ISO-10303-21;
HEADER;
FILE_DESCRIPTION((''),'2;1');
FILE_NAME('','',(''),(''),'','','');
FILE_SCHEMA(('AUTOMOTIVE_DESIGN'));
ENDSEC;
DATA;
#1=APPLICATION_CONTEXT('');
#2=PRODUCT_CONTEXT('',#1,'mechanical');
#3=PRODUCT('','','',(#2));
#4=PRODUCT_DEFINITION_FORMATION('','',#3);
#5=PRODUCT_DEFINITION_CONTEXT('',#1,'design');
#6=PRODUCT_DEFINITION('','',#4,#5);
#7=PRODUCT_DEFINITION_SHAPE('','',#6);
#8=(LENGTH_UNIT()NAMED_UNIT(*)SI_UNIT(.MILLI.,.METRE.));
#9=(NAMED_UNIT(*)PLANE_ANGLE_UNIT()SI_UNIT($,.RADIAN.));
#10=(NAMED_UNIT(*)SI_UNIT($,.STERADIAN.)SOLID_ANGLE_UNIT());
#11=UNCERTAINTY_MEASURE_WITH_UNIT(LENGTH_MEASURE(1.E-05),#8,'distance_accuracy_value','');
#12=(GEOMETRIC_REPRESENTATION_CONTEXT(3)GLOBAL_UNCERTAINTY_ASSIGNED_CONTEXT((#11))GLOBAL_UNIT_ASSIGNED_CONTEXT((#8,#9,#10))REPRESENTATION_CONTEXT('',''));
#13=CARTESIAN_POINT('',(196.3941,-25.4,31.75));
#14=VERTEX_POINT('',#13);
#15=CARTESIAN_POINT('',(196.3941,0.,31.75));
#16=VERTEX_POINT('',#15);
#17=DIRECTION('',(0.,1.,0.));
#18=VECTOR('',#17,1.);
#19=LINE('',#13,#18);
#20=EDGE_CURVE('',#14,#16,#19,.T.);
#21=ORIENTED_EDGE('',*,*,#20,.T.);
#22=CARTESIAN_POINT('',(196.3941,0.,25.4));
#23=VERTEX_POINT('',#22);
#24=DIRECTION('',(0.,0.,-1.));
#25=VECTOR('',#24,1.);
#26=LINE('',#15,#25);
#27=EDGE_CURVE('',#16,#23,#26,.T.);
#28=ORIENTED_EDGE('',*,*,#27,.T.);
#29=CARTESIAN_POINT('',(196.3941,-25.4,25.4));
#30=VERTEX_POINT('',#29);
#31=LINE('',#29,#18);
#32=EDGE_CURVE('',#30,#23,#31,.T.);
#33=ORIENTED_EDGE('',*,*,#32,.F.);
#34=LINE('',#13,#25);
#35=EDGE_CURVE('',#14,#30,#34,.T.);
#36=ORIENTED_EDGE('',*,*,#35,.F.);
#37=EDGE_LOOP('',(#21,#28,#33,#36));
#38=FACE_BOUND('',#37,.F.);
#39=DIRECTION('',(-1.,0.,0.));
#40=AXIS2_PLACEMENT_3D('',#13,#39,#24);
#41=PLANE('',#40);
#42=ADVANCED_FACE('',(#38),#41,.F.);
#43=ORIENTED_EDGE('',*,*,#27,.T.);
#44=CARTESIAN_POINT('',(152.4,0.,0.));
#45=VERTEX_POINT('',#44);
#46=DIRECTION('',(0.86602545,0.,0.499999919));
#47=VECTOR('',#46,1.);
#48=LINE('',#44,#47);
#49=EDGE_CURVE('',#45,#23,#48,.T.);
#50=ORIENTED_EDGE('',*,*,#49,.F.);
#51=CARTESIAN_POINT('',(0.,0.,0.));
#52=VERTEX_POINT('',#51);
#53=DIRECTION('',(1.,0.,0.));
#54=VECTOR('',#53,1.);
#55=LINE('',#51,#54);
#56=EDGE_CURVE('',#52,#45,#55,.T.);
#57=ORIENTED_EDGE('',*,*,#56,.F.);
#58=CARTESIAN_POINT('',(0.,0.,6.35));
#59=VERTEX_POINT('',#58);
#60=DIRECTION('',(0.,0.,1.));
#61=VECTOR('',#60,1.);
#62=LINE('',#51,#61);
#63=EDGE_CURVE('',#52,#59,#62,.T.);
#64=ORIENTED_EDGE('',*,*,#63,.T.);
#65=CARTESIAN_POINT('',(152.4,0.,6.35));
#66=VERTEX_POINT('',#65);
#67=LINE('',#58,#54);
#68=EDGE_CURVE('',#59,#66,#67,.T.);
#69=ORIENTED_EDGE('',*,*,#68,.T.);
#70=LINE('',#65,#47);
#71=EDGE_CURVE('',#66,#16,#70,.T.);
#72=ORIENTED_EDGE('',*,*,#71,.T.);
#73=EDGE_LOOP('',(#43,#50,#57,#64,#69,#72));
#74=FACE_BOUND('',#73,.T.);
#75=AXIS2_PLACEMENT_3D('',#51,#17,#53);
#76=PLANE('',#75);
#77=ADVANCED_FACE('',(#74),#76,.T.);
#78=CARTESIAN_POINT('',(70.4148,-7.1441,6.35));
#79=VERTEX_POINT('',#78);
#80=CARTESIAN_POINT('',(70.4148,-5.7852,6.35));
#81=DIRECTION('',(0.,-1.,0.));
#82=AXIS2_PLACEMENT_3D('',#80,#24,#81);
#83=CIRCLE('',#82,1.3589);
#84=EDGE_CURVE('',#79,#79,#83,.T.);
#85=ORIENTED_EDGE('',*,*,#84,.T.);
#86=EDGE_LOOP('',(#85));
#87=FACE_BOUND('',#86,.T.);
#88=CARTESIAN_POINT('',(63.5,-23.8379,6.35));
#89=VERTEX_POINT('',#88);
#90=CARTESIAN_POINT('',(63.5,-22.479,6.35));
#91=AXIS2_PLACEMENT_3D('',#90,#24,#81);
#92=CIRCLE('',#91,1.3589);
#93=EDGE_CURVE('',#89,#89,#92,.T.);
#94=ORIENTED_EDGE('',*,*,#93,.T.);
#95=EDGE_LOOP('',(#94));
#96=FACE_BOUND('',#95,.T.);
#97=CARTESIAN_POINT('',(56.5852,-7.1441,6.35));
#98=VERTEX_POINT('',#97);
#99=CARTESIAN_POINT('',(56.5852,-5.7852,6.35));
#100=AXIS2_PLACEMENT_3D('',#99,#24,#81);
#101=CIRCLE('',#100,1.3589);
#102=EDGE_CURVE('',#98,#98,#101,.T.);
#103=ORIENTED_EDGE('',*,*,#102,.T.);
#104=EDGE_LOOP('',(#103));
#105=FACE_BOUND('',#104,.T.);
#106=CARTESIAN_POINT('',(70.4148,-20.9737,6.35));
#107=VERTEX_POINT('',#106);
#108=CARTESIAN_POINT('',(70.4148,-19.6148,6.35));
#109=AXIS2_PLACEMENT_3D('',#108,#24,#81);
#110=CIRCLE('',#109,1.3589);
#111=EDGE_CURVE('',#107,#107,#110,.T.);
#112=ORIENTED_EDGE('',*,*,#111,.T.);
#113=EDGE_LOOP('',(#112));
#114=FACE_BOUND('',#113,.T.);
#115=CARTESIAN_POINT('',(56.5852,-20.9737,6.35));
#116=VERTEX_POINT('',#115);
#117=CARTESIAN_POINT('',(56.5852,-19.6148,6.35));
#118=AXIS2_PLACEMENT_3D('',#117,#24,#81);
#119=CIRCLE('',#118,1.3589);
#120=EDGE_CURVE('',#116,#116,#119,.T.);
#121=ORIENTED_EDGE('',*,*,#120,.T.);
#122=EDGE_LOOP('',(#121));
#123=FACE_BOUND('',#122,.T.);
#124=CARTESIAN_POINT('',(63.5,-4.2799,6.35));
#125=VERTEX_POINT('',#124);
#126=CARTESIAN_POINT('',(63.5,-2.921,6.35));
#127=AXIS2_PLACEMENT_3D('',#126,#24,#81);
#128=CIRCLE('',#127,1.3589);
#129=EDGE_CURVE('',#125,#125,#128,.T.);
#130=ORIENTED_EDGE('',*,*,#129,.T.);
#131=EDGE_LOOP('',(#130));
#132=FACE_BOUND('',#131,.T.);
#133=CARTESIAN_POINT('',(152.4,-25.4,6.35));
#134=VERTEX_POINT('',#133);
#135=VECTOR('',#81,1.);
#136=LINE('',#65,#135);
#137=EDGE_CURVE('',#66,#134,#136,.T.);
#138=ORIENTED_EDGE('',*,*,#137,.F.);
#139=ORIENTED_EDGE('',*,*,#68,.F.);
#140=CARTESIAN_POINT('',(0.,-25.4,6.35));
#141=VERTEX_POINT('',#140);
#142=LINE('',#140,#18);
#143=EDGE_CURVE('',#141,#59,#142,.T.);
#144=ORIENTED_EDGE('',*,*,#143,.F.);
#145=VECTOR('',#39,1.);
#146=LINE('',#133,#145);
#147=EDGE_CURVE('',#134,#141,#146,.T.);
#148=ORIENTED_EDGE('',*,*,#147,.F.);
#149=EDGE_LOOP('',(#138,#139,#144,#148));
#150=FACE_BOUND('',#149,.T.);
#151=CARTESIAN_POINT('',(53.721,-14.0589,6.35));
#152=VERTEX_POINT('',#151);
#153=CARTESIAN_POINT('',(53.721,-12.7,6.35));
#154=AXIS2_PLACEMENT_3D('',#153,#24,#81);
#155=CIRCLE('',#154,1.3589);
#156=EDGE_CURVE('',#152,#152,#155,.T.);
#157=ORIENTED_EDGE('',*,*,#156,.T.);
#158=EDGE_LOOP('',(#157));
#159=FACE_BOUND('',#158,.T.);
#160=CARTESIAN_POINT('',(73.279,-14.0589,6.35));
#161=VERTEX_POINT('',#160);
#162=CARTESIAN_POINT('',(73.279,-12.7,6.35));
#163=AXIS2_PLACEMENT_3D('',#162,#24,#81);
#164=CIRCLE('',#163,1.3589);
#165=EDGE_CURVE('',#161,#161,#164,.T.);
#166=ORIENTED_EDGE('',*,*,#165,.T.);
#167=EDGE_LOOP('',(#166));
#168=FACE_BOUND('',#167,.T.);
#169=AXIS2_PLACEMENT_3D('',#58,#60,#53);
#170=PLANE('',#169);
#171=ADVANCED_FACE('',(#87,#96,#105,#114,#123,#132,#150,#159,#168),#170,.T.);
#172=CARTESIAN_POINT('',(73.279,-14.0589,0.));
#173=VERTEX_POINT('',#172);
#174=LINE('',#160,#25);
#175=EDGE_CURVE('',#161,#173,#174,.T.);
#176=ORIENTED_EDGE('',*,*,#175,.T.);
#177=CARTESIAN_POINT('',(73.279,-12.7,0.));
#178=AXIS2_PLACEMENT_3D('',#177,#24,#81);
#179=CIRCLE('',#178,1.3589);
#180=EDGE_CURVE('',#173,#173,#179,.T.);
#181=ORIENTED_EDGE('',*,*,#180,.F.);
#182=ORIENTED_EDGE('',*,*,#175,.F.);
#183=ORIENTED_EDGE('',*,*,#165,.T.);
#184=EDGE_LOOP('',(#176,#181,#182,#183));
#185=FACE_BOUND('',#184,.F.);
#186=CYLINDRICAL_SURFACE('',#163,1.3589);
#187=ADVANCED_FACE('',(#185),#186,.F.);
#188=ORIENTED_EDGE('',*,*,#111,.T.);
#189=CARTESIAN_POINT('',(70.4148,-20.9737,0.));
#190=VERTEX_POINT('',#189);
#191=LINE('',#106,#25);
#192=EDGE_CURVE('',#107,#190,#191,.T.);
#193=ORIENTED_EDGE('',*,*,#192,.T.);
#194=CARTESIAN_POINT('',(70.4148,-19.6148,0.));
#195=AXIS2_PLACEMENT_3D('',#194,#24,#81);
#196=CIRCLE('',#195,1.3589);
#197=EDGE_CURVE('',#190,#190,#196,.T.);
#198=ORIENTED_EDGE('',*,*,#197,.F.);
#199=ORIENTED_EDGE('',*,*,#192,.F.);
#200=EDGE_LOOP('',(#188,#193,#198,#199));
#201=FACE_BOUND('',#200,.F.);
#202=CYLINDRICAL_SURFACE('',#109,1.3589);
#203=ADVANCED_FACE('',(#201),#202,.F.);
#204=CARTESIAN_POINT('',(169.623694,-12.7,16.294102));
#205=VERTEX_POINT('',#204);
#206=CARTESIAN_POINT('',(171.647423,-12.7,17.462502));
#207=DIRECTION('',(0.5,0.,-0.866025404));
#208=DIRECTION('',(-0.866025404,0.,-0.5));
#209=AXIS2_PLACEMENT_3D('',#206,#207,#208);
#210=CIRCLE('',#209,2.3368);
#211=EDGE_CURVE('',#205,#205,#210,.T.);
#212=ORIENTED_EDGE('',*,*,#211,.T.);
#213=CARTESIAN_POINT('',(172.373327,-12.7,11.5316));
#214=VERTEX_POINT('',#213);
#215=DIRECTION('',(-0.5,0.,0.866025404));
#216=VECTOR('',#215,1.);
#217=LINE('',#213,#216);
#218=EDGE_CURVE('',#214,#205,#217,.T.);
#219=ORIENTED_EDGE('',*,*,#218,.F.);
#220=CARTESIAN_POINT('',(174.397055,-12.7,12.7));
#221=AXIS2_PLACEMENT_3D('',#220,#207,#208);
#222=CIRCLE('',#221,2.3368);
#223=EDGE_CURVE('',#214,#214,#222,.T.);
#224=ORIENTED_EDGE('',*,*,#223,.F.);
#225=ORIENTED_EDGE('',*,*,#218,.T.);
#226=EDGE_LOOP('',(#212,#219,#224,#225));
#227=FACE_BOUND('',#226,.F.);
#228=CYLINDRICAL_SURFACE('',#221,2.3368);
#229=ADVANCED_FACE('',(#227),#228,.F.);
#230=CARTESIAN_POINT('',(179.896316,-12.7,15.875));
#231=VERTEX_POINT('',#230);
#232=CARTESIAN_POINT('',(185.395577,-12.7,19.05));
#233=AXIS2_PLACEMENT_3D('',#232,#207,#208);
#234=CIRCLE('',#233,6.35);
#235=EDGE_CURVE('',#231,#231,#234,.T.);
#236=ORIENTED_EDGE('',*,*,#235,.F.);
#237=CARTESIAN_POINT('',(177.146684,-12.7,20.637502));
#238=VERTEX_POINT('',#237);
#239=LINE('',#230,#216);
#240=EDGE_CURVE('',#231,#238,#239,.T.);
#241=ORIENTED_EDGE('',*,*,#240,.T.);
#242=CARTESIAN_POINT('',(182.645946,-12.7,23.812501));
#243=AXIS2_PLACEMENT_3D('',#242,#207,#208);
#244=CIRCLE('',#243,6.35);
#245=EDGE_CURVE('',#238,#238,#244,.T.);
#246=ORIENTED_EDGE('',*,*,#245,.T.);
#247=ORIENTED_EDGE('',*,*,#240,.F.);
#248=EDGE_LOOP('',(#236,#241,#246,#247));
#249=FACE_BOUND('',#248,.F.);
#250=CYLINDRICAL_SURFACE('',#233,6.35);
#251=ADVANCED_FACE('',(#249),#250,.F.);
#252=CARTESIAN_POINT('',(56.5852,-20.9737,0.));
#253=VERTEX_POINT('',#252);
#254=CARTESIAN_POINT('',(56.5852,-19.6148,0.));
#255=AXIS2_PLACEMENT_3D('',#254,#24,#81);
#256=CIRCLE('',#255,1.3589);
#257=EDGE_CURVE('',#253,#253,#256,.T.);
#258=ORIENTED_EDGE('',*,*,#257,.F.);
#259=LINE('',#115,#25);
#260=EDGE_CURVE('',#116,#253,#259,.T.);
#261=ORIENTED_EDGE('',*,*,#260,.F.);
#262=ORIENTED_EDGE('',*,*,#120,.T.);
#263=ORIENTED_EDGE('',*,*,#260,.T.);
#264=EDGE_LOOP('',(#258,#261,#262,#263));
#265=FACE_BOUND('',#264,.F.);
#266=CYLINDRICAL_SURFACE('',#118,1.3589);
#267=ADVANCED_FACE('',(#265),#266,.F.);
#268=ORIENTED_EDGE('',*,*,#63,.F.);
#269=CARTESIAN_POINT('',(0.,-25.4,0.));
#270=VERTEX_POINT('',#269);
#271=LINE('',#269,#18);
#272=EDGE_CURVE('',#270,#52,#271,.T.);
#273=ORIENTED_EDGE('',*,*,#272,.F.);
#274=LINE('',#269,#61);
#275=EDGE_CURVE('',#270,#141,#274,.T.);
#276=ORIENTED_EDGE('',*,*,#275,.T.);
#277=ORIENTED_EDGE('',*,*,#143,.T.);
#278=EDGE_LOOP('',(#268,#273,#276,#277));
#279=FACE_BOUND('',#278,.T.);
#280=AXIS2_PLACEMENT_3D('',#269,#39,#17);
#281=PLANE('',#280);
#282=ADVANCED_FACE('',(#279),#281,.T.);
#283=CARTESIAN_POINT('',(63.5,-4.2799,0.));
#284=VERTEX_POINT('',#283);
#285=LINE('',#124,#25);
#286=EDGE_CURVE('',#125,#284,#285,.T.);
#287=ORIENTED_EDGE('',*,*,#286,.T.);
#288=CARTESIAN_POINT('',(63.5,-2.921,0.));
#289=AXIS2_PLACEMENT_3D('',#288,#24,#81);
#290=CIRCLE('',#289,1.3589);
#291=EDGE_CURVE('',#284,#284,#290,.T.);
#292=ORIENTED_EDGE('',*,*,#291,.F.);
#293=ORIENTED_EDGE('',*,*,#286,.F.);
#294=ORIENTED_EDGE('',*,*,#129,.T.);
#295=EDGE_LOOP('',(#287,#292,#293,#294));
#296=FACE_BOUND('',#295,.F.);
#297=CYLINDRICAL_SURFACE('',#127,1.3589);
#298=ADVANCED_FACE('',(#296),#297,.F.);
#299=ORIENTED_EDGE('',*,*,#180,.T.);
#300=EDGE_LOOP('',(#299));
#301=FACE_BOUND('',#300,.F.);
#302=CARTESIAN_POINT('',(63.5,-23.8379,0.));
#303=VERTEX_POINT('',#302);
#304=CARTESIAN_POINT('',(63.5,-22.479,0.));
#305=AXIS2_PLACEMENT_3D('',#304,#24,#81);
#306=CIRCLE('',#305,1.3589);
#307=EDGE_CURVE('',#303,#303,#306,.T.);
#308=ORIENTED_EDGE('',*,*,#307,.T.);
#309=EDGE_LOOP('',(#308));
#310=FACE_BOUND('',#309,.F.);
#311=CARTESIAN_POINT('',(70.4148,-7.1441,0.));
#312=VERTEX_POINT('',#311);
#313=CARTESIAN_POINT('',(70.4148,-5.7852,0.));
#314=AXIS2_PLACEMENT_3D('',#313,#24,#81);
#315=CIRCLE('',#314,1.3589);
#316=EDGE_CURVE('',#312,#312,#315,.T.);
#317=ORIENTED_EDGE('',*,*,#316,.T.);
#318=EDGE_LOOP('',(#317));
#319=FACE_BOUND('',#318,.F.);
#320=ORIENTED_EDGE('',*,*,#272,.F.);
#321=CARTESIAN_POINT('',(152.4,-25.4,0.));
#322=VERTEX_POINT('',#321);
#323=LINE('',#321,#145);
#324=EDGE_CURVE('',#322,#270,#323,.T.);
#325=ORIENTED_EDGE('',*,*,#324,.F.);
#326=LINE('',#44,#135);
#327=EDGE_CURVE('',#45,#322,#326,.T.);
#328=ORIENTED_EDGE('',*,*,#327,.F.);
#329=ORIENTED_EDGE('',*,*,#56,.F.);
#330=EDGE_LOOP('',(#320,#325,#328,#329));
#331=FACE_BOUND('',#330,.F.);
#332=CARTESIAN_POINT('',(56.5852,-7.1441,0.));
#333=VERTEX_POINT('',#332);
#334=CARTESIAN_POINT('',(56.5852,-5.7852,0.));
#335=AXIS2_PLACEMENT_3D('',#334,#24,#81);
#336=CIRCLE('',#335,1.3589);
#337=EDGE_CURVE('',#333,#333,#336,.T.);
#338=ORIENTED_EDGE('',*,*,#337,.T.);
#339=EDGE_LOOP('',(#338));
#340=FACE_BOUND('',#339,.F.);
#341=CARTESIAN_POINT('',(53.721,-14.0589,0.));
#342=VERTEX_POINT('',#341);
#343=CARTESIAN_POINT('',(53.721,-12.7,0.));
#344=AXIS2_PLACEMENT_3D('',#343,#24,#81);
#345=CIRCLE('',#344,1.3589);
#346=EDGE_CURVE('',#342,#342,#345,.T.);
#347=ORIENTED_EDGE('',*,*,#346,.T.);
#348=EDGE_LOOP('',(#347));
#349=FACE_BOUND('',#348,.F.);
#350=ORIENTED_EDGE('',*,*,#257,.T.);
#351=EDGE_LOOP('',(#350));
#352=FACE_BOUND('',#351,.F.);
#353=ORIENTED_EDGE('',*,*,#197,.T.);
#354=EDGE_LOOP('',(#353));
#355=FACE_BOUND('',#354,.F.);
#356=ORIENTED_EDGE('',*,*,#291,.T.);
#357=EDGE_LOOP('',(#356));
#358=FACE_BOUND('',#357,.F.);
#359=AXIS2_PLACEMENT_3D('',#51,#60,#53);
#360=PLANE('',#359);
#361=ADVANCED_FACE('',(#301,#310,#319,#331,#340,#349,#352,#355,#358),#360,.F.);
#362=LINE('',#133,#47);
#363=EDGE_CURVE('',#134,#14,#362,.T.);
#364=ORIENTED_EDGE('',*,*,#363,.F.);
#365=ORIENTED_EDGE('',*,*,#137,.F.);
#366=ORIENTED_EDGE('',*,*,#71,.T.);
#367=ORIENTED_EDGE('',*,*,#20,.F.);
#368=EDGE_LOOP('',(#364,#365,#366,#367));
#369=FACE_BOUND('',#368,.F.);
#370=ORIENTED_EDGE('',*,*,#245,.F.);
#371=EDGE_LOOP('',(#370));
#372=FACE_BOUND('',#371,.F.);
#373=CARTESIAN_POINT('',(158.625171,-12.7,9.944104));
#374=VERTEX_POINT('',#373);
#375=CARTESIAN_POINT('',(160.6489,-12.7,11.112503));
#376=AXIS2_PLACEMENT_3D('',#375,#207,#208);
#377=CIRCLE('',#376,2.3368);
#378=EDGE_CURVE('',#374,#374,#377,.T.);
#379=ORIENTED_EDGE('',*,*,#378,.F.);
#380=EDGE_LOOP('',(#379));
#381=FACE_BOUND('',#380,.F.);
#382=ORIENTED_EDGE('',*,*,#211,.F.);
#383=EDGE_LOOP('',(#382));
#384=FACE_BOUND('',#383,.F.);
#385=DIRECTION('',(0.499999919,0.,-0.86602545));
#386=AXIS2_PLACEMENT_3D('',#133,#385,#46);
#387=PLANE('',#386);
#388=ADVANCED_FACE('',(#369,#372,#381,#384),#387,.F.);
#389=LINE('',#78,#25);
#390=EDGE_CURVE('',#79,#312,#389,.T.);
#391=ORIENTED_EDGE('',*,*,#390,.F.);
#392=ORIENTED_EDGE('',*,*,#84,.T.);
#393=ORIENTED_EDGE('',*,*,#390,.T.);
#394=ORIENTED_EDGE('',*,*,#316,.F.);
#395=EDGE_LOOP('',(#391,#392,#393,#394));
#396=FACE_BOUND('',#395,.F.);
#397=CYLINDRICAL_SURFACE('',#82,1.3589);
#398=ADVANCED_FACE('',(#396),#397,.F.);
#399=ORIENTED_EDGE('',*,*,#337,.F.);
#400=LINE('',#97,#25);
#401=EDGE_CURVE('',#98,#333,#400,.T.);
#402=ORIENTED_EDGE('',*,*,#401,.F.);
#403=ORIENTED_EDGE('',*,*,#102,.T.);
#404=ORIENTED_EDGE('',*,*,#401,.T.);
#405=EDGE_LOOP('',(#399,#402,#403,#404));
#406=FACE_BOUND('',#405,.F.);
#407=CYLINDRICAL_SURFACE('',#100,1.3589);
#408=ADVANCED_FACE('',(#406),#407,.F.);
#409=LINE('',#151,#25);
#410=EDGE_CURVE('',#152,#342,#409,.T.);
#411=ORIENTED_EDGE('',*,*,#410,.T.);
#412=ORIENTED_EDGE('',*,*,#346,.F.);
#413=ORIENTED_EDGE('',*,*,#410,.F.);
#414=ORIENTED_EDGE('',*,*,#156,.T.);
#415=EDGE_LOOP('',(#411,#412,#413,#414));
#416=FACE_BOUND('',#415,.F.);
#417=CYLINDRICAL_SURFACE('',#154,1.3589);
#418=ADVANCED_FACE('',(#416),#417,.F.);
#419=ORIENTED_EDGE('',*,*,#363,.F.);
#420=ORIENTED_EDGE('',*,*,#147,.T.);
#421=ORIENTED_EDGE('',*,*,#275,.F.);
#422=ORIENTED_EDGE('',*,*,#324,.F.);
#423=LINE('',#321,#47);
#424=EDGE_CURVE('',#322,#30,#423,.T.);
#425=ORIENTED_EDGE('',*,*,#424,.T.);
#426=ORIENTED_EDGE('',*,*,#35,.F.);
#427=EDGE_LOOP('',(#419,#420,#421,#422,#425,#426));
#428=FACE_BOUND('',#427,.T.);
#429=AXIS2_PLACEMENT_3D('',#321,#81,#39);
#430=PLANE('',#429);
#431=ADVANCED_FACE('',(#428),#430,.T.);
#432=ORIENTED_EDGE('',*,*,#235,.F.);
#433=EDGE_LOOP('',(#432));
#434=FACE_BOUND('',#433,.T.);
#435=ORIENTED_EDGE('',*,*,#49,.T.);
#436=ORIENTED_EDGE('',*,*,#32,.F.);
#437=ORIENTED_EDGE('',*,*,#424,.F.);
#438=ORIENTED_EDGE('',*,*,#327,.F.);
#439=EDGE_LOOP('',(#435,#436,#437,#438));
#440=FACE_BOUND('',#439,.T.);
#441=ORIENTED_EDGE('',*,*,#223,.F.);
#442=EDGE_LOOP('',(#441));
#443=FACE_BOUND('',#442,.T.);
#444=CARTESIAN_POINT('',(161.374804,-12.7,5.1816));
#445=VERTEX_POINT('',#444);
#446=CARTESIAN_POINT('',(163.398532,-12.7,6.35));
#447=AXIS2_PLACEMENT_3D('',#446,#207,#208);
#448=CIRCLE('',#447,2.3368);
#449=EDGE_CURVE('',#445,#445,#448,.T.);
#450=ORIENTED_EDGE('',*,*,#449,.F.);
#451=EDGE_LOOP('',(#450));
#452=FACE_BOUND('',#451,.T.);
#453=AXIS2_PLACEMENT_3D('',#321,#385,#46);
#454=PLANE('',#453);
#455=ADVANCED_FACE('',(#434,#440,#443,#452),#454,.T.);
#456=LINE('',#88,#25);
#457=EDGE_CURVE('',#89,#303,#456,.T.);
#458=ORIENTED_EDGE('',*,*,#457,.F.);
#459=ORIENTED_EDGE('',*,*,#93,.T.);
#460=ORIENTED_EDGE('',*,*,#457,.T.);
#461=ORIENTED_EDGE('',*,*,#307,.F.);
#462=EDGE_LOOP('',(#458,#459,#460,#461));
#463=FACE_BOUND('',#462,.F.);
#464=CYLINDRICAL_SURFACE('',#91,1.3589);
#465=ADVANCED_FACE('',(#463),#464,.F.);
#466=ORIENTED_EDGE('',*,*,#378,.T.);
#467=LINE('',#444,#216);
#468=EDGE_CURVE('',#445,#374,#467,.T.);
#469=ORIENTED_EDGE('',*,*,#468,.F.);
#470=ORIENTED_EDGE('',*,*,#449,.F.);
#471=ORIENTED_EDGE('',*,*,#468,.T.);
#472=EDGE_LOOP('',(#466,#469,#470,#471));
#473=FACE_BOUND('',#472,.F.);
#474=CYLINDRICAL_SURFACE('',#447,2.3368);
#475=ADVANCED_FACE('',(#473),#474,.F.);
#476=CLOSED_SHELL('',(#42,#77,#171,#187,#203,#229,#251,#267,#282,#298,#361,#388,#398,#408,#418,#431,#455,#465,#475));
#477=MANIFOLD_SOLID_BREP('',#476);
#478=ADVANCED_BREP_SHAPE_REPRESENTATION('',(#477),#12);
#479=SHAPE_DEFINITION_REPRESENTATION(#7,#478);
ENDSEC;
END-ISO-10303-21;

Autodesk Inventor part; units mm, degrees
ref_plane "YZ Plane" through (0, 0, 0) normal (1, 0, 0) x (0, 1, 0)
ref_plane "XZ Plane" through (0, 0, 0) normal (0, 1, 0) x (-1, 0, 0)
ref_plane "XY Plane" through (0, 0, 0) normal (0, 0, 1) x (1, 0, 0)
sketch "Sketch1" plane through (0, 0, 0) normal (0, 0, 1) x (1, 0, 0)
  line L0 (0, 0) -> (152.4, 0)
  line L1 (152.4, 0) -> (152.4, -25.4)
  line L2 (152.4, -25.4) -> (0, -25.4)
  line L3 (0, -25.4) -> (0, 0)
  dimension "d0" = 152.4
  dimension "d1" = 25.4
extrude "Extrusion1" add sketch "Sketch1" along normal blind 6.35
sketch "Sketch4" plane through (0, 0, 6.35) normal (0, 0, 1) x (1, 0, 0)
  circle A0 centre (63.5, -2.921) radius 1.3589
  circle A1 centre (56.5852, -5.7852) radius 1.3589
  circle A2 centre (53.721, -12.7) radius 1.3589
  circle A3 centre (56.5852, -19.6148) radius 1.3589
  circle A4 centre (63.5, -22.479) radius 1.3589
  circle A5 centre (70.4148, -19.6148) radius 1.3589
  circle A6 centre (73.279, -12.7) radius 1.3589
  circle A7 centre (70.4148, -5.7852) radius 1.3589
  line L0 (0, -25.4) -> (152.4, -25.4) projected
  line L1 (152.4, 0) -> (0, 0) projected
  line L2 (152.4, -25.4) -> (152.4, 0) projected
  point P0 (9.525, 0)
  point P1 (63.5, -12.7)
  point P2 (254, 0)
  point P3 (254, -19.05)
  point P4 (63.5, -12.7)
  point P5 (63.5, -12.7)
  point P6 (63.5, -12.7)
  point P7 (63.5, -12.7)
  point P8 (63.5, -12.7)
  point P9 (63.5, -12.7)
  point P10 (63.5, -12.7)
  point P11 (11.43, 0)
  dimension "d71" = 2.7178
  dimension "d72" = 9.779
  dimension "d73" = 0
  dimension "d76" = 360
  dimension "d85" = 25.4
  dimension "d86" = 12.7
  dimension "d87" = 88.9
sketch "Sketch9" plane through (152.4, -25.4, 0) normal (0, -1, 0) x (1, 0, 0)
  line L0 (0, 0) -> (0, 6.35) projected
  line L1 (0, 0) -> (43.9941, 25.4)
  line L2 (0, 0) -> (50.8, 0) construction
  line L3 (0, 6.35) -> (43.9941, 31.75)
  line L4 (0, 6.35) -> (50.8, 6.35) construction
  line L5 (43.9941, 31.75) -> (43.9941, 25.4)
  point P0 (-152.4, 0)
  dimension "d53" = 50.8
  dimension "d54" = 30
  dimension "d55" = 50.8
  dimension "d56" = 30
extrude "Extrusion9" add sketch "Sketch9" against normal up to surface (25.4 mm away)
sketch "Sketch10" plane through (196.3941, -25.4, 25.4) normal (0.5, 0, -0.866) x (-0.866, 0, -0.5)
  line L0 (0, 0) -> (50.8, 0) projected
  line L1 (50.8, 25.4) -> (0, 25.4) projected
  line L2 (0, 0) -> (0, 25.4) projected
  circle A0 centre (38.1, 12.7) radius 2.3368
  circle A1 centre (25.4, 12.7) radius 2.3368
  circle A2 centre (12.7, 12.7) radius 6.35
  point P0 (182.7823, 25.4)
  dimension "d59" = 25.4
  dimension "d60" = 12.7
  dimension "d61" = 12.7
  dimension "d62" = 12.7
  dimension "d63" = 12.7
  dimension "d64" = 25.4
  dimension "d65" = 38.1
  dimension "d66" = 4.6736
  dimension "d67" = 4.6736
  dimension "d68" = 12.7
extrude "Extrusion10" cut sketch "Sketch10" against normal through all
hole "Hole1" at (70.4148, -5.7852, 6.35) at (73.279, -12.7, 6.35) at (70.4148, -19.6148, 6.35) at (63.5, -22.479, 6.35) at (56.5852, -19.6148, 6.35) at (53.721, -12.7, 6.35) at (56.5852, -5.7852, 6.35) at (63.5, -2.921, 6.35) direction (0, 0, -1) diameter 2.7178 end through all
equation "\"d86\" = 0.5 * d85"
equation "\"d55\" = d53"
equation "\"d60\" = 0.5 * d59"
equation "\"d61\" = d60"
equation "\"d62\" = d60"
properties part number "Wheel Arms"
